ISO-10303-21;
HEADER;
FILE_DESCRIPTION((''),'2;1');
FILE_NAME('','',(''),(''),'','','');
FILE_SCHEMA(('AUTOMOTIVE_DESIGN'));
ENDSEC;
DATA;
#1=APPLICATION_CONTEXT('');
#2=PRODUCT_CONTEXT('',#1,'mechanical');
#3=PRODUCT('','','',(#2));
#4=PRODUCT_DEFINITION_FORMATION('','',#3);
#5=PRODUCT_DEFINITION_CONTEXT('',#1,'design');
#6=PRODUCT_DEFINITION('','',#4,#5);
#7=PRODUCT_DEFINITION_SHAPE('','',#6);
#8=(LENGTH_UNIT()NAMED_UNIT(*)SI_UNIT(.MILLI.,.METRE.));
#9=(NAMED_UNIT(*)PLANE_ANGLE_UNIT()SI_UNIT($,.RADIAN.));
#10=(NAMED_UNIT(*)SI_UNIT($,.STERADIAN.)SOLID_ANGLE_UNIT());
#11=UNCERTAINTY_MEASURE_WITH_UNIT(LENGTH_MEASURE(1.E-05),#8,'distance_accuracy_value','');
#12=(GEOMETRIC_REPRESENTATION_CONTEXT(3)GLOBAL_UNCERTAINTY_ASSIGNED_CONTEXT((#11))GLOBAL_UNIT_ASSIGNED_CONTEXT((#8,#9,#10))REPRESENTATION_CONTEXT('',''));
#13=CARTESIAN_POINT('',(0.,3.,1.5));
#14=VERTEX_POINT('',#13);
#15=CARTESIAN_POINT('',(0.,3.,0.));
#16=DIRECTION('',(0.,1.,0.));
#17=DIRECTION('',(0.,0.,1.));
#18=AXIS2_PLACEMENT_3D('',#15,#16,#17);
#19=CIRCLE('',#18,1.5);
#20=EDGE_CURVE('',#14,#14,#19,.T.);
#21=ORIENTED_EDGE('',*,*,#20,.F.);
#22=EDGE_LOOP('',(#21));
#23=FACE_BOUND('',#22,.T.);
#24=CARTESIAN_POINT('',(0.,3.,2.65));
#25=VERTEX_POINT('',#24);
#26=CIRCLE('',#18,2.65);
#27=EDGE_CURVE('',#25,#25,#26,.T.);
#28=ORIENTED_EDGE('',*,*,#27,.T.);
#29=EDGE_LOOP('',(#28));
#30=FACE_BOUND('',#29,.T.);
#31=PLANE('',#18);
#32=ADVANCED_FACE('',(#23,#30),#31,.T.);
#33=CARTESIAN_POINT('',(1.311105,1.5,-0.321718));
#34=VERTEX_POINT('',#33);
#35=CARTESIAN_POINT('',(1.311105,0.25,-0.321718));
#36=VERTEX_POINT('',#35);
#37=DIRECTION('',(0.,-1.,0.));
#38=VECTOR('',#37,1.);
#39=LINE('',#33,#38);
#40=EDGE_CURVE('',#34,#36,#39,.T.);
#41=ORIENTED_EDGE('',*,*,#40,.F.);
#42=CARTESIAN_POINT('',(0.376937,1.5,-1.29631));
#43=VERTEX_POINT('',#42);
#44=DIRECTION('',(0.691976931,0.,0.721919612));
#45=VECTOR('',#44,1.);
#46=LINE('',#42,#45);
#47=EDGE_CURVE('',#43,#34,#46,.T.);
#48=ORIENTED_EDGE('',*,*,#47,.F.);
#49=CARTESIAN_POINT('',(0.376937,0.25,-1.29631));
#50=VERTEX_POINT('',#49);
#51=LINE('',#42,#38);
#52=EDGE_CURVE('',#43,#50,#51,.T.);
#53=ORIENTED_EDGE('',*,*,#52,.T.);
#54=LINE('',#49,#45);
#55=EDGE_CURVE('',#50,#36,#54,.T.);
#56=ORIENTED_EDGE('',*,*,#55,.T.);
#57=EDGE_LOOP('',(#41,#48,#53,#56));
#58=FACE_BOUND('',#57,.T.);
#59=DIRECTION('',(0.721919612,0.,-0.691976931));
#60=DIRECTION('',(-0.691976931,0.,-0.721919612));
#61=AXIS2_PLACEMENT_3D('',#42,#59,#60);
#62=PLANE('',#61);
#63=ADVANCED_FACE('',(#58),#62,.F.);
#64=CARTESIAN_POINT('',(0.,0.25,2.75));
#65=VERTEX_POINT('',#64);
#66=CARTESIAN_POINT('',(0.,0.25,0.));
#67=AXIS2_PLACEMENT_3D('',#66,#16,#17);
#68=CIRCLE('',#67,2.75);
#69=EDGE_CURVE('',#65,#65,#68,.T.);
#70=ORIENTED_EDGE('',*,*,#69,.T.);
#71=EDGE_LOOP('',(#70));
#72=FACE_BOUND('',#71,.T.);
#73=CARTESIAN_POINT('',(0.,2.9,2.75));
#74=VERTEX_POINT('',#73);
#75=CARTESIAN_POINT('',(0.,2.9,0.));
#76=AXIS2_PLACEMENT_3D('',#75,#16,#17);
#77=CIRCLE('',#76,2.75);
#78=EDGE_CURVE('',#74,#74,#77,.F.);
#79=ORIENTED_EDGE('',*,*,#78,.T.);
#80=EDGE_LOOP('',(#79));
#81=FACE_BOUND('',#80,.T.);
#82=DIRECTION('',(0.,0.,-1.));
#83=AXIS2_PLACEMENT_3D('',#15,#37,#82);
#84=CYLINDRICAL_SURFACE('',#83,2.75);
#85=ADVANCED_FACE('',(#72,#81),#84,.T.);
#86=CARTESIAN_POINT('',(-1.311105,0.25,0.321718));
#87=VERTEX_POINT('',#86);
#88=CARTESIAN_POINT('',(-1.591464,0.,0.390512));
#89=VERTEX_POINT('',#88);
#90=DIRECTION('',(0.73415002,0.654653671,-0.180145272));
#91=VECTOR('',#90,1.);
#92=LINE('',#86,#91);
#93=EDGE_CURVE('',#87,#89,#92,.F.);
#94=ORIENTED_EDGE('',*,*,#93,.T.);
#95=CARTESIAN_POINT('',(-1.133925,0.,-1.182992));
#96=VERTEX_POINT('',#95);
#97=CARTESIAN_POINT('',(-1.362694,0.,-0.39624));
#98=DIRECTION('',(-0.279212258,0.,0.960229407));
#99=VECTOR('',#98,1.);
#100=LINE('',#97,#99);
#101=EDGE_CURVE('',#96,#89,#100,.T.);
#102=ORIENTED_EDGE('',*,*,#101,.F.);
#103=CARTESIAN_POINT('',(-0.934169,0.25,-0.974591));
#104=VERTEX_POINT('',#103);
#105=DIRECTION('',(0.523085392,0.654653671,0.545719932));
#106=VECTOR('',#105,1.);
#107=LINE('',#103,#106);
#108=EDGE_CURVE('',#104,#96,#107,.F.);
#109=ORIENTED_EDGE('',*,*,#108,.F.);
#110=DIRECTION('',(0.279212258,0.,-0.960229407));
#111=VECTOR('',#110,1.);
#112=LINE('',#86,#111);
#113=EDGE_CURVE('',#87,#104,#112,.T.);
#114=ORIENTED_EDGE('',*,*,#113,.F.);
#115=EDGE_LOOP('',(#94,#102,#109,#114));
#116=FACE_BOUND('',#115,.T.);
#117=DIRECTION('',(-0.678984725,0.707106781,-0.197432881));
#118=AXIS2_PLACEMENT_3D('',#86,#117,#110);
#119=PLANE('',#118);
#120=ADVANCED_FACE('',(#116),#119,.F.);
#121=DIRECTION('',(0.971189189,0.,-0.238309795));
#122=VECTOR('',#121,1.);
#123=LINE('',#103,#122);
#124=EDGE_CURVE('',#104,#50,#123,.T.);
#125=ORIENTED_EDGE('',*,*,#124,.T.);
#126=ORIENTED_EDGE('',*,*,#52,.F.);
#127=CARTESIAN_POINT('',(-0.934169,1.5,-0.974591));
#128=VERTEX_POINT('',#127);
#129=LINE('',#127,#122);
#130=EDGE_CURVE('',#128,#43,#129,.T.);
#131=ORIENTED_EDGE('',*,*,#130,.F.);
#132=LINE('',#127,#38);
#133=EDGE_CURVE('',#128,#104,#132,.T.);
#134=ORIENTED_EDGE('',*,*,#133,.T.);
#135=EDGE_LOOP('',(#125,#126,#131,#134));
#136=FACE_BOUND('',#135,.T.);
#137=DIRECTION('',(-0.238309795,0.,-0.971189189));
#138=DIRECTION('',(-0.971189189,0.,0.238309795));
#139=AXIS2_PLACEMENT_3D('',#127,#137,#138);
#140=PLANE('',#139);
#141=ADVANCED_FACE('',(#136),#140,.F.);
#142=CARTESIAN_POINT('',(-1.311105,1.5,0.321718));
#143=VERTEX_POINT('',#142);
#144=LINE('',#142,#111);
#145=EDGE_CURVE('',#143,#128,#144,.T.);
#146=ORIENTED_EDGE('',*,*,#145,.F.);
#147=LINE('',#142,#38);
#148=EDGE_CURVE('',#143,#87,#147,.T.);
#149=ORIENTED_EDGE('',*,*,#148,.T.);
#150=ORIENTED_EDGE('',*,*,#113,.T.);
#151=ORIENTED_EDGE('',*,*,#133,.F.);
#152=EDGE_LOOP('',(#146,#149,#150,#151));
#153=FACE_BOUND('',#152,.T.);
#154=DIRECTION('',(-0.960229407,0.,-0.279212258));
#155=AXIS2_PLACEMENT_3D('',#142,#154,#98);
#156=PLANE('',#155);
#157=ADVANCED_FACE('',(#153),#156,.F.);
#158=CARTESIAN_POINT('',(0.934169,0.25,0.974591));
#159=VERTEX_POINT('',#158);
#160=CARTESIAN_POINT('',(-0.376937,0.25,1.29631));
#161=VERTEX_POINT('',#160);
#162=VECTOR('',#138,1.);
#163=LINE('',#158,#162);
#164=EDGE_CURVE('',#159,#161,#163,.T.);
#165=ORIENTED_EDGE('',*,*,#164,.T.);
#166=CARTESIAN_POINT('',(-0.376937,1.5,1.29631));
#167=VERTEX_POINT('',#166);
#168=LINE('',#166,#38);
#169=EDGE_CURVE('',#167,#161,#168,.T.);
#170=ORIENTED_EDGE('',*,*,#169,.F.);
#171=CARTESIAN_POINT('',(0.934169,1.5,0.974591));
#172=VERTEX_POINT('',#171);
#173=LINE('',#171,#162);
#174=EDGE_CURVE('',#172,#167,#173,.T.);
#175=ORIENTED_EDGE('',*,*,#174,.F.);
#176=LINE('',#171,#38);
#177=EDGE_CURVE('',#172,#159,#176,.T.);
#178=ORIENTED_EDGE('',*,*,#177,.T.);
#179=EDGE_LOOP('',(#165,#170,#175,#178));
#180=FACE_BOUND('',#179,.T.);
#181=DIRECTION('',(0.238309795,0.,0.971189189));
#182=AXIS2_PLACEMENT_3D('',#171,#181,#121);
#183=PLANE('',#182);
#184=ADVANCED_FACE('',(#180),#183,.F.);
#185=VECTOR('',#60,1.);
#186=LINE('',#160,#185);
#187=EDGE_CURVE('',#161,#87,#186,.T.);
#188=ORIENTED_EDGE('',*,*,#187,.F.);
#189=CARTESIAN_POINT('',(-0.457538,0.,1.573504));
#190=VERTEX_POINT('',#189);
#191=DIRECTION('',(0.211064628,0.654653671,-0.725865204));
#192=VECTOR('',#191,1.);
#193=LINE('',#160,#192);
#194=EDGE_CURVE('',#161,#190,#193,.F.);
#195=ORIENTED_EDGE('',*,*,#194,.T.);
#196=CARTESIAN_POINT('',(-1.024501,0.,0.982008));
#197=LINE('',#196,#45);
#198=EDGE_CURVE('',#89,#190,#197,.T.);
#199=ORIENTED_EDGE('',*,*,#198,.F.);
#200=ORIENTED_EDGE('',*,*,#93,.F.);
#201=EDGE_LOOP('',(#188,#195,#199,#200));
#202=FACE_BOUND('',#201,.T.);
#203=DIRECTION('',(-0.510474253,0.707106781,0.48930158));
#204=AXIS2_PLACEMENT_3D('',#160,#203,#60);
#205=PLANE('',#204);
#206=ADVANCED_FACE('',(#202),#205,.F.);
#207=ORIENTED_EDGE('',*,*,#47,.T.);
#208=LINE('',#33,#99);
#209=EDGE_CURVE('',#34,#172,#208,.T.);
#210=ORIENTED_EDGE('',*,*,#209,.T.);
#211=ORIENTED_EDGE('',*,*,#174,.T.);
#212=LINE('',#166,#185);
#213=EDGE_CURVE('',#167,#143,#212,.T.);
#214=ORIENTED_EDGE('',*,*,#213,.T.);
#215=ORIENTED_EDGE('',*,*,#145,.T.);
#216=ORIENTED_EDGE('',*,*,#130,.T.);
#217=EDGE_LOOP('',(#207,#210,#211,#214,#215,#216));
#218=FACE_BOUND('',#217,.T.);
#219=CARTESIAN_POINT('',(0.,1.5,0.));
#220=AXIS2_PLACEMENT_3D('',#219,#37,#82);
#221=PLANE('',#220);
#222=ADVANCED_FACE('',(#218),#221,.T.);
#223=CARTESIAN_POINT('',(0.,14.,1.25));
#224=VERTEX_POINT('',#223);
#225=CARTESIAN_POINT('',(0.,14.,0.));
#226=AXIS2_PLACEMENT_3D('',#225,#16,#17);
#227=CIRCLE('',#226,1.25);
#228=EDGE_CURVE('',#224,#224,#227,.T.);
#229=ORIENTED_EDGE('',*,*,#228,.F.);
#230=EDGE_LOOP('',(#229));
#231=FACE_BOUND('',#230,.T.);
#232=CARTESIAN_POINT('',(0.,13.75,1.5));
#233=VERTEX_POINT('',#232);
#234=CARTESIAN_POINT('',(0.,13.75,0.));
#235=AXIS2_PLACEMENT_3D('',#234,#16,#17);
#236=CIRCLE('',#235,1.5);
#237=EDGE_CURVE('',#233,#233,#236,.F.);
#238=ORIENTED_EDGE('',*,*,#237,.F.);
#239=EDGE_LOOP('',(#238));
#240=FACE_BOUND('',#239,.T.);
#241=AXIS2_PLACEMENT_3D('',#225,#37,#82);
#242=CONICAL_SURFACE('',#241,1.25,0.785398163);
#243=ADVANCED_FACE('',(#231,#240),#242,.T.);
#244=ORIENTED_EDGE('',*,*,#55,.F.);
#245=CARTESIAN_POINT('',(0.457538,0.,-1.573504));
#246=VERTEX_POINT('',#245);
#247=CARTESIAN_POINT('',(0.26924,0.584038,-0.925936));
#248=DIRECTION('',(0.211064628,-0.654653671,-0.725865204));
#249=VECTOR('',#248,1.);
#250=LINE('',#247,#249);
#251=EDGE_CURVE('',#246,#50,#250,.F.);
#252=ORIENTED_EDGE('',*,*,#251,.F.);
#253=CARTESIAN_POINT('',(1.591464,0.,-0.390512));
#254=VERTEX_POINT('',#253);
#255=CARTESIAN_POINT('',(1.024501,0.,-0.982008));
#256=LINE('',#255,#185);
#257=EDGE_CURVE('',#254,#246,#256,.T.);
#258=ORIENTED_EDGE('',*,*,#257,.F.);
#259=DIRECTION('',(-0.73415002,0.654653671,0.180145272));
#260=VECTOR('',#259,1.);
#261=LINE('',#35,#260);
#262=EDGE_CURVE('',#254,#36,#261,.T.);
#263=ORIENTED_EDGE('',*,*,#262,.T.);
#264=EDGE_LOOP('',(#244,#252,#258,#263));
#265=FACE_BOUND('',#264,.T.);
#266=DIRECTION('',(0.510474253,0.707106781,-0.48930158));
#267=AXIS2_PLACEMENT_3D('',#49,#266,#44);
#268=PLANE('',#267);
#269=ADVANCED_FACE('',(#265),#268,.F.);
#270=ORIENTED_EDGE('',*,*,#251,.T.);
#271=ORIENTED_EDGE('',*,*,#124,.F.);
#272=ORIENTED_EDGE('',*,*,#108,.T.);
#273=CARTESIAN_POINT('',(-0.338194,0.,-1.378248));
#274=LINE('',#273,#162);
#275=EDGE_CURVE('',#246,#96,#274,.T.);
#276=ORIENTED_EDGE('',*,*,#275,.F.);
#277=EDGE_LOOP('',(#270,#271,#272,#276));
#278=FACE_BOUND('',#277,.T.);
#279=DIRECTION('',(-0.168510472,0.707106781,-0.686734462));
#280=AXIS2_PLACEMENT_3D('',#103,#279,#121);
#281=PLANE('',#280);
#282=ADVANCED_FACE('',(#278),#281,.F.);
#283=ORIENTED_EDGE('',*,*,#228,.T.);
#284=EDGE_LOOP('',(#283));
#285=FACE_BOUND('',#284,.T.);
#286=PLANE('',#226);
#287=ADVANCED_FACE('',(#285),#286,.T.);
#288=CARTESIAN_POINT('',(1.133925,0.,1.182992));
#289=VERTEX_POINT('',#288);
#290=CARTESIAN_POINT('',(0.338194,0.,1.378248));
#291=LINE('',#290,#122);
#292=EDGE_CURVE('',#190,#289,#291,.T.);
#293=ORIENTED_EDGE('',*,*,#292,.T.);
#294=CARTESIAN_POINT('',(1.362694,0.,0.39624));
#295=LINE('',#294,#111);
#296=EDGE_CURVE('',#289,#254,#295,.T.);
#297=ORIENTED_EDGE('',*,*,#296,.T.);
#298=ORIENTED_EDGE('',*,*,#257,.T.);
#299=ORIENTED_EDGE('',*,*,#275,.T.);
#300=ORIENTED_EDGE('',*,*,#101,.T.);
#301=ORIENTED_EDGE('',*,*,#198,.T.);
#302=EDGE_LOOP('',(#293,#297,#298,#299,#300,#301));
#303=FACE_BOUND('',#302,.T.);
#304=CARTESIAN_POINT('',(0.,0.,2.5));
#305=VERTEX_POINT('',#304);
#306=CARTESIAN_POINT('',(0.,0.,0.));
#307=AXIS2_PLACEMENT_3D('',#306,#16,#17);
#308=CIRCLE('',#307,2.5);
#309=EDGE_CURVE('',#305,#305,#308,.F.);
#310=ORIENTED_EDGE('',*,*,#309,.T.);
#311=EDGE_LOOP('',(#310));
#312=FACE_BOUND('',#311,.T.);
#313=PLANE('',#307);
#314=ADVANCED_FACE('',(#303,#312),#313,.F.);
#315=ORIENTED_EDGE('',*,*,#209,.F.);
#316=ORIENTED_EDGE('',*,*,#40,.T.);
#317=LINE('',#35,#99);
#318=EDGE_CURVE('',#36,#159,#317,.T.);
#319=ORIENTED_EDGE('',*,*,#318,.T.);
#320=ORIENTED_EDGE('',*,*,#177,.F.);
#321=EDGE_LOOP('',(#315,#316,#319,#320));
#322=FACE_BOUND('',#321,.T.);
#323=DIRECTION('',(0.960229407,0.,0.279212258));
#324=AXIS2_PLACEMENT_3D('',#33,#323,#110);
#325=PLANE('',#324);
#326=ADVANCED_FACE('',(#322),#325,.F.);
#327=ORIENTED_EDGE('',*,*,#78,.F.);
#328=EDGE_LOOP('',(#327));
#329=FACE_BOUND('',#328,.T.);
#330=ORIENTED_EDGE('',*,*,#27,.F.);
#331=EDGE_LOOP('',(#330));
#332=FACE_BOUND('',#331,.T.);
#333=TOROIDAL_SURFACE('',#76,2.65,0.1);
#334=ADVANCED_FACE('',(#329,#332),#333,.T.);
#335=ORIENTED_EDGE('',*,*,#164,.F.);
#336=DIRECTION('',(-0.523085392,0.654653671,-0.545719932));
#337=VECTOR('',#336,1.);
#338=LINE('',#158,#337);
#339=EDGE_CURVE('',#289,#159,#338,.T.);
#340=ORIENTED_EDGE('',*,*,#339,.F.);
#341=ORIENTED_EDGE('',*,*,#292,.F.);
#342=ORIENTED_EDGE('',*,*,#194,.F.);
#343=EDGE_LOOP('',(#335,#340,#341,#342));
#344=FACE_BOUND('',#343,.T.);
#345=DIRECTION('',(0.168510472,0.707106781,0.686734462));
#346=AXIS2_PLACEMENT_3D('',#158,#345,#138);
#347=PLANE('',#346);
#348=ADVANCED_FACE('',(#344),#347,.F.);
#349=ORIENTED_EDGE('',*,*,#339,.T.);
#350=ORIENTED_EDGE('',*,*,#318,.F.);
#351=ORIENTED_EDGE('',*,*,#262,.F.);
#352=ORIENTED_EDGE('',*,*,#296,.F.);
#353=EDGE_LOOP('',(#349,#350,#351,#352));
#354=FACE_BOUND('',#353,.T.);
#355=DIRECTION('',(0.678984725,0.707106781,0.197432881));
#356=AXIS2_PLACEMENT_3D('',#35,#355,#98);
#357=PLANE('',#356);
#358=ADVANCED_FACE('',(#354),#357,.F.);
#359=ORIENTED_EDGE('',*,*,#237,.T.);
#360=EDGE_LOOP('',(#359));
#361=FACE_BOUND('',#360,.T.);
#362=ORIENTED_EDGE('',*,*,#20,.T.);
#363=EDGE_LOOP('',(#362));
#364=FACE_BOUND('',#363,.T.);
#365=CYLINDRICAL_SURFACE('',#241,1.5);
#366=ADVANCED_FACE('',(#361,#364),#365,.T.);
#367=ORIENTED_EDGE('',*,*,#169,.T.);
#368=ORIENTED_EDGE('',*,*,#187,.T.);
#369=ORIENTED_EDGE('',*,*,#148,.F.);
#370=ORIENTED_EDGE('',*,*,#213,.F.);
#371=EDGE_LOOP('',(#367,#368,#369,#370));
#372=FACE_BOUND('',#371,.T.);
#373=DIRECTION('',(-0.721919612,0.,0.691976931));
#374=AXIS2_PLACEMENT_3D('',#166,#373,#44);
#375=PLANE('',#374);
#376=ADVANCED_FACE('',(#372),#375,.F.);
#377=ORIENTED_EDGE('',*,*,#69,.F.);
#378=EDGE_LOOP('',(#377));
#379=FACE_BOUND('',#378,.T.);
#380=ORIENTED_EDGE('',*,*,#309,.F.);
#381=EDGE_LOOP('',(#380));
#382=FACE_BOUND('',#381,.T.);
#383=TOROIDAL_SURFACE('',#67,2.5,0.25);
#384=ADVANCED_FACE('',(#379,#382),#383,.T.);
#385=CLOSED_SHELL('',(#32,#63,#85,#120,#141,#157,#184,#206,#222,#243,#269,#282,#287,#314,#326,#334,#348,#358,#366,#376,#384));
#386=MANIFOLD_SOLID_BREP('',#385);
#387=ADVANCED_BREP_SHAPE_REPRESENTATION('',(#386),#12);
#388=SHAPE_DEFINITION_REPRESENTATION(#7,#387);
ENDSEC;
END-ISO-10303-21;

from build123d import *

# Parameters (mm, degrees)
SKETCH1_R           = 2.75
BOSS_EXTRUDE1_DEPTH = 3
SKETCH2_R           = 1.5
BOSS_EXTRUDE2_DEPTH = 11
CUT_EXTRUDE1_DEPTH  = 1.5
CHAMFER1_SIZE       = 0.25
FILLET1_R           = 0.25
CHAMFER2_SIZE       = 0.25
FILLET2_R           = 0.1


with BuildPart() as part:
    # Sketch1 → Boss-Extrude1 (new body)
    with BuildSketch(Plane(origin=(0, 0, 0), x_dir=(1, 0, 0), z_dir=(0, 1, 0))):
        with Locations(Location((0, 0, 0), (0, 0, 270))):
            Circle(SKETCH1_R)
    extrude(amount=BOSS_EXTRUDE1_DEPTH)

    # Sketch2 → Boss-Extrude2 (add)
    with BuildSketch(Plane(origin=(0, 3, 0), x_dir=(1, 0, 0), z_dir=(0, 1, 0))):
        with Locations(Location((0, 0, 0), (0, 0, 270))):
            Circle(SKETCH2_R)
    extrude(amount=BOSS_EXTRUDE2_DEPTH)

    # Sketch3 → Cut-Extrude1 (cut)
    with BuildSketch(Plane.XZ):
        Polygon((0.934168857, 0.974591477), (-0.376936549, 1.2963097), (-1.311105406, 0.321718223), (-0.934168857, -0.974591477), (0.376936549, -1.2963097), (1.311105406, -0.321718223), align=None)
    extrude(amount=-CUT_EXTRUDE1_DEPTH, mode=Mode.SUBTRACT)

    # Chamfer1
    chamfer1_edges = [part.edges().sort_by_distance(p)[0] for p in [
        (1.122637131, 0, 0.326436627),
        (0.278616154, 0, 1.135450588),
        (-0.844020977, 0, 0.809013962),
        (-1.122637131, 0, -0.326436627),
        (-0.278616154, 0, -1.135450588),
        (0.844020977, 0, -0.809013962),
    ]]
    chamfer(chamfer1_edges, length=CHAMFER1_SIZE)

    # Fillet1
    fillet1_edges = [part.edges().sort_by_distance(p)[0] for p in [
        (0, 0, -2.75),
    ]]
    fillet(fillet1_edges, radius=FILLET1_R)

    # Chamfer2
    chamfer2_edges = [part.edges().sort_by_distance(p)[0] for p in [
        (0, 14, -1.5),
    ]]
    chamfer(chamfer2_edges, length=CHAMFER2_SIZE)

    # Fillet2
    fillet2_edges = [part.edges().sort_by_distance(p)[0] for p in [
        (0, 3, -2.75),
    ]]
    fillet(fillet2_edges, radius=FILLET2_R)


solid = part.part
